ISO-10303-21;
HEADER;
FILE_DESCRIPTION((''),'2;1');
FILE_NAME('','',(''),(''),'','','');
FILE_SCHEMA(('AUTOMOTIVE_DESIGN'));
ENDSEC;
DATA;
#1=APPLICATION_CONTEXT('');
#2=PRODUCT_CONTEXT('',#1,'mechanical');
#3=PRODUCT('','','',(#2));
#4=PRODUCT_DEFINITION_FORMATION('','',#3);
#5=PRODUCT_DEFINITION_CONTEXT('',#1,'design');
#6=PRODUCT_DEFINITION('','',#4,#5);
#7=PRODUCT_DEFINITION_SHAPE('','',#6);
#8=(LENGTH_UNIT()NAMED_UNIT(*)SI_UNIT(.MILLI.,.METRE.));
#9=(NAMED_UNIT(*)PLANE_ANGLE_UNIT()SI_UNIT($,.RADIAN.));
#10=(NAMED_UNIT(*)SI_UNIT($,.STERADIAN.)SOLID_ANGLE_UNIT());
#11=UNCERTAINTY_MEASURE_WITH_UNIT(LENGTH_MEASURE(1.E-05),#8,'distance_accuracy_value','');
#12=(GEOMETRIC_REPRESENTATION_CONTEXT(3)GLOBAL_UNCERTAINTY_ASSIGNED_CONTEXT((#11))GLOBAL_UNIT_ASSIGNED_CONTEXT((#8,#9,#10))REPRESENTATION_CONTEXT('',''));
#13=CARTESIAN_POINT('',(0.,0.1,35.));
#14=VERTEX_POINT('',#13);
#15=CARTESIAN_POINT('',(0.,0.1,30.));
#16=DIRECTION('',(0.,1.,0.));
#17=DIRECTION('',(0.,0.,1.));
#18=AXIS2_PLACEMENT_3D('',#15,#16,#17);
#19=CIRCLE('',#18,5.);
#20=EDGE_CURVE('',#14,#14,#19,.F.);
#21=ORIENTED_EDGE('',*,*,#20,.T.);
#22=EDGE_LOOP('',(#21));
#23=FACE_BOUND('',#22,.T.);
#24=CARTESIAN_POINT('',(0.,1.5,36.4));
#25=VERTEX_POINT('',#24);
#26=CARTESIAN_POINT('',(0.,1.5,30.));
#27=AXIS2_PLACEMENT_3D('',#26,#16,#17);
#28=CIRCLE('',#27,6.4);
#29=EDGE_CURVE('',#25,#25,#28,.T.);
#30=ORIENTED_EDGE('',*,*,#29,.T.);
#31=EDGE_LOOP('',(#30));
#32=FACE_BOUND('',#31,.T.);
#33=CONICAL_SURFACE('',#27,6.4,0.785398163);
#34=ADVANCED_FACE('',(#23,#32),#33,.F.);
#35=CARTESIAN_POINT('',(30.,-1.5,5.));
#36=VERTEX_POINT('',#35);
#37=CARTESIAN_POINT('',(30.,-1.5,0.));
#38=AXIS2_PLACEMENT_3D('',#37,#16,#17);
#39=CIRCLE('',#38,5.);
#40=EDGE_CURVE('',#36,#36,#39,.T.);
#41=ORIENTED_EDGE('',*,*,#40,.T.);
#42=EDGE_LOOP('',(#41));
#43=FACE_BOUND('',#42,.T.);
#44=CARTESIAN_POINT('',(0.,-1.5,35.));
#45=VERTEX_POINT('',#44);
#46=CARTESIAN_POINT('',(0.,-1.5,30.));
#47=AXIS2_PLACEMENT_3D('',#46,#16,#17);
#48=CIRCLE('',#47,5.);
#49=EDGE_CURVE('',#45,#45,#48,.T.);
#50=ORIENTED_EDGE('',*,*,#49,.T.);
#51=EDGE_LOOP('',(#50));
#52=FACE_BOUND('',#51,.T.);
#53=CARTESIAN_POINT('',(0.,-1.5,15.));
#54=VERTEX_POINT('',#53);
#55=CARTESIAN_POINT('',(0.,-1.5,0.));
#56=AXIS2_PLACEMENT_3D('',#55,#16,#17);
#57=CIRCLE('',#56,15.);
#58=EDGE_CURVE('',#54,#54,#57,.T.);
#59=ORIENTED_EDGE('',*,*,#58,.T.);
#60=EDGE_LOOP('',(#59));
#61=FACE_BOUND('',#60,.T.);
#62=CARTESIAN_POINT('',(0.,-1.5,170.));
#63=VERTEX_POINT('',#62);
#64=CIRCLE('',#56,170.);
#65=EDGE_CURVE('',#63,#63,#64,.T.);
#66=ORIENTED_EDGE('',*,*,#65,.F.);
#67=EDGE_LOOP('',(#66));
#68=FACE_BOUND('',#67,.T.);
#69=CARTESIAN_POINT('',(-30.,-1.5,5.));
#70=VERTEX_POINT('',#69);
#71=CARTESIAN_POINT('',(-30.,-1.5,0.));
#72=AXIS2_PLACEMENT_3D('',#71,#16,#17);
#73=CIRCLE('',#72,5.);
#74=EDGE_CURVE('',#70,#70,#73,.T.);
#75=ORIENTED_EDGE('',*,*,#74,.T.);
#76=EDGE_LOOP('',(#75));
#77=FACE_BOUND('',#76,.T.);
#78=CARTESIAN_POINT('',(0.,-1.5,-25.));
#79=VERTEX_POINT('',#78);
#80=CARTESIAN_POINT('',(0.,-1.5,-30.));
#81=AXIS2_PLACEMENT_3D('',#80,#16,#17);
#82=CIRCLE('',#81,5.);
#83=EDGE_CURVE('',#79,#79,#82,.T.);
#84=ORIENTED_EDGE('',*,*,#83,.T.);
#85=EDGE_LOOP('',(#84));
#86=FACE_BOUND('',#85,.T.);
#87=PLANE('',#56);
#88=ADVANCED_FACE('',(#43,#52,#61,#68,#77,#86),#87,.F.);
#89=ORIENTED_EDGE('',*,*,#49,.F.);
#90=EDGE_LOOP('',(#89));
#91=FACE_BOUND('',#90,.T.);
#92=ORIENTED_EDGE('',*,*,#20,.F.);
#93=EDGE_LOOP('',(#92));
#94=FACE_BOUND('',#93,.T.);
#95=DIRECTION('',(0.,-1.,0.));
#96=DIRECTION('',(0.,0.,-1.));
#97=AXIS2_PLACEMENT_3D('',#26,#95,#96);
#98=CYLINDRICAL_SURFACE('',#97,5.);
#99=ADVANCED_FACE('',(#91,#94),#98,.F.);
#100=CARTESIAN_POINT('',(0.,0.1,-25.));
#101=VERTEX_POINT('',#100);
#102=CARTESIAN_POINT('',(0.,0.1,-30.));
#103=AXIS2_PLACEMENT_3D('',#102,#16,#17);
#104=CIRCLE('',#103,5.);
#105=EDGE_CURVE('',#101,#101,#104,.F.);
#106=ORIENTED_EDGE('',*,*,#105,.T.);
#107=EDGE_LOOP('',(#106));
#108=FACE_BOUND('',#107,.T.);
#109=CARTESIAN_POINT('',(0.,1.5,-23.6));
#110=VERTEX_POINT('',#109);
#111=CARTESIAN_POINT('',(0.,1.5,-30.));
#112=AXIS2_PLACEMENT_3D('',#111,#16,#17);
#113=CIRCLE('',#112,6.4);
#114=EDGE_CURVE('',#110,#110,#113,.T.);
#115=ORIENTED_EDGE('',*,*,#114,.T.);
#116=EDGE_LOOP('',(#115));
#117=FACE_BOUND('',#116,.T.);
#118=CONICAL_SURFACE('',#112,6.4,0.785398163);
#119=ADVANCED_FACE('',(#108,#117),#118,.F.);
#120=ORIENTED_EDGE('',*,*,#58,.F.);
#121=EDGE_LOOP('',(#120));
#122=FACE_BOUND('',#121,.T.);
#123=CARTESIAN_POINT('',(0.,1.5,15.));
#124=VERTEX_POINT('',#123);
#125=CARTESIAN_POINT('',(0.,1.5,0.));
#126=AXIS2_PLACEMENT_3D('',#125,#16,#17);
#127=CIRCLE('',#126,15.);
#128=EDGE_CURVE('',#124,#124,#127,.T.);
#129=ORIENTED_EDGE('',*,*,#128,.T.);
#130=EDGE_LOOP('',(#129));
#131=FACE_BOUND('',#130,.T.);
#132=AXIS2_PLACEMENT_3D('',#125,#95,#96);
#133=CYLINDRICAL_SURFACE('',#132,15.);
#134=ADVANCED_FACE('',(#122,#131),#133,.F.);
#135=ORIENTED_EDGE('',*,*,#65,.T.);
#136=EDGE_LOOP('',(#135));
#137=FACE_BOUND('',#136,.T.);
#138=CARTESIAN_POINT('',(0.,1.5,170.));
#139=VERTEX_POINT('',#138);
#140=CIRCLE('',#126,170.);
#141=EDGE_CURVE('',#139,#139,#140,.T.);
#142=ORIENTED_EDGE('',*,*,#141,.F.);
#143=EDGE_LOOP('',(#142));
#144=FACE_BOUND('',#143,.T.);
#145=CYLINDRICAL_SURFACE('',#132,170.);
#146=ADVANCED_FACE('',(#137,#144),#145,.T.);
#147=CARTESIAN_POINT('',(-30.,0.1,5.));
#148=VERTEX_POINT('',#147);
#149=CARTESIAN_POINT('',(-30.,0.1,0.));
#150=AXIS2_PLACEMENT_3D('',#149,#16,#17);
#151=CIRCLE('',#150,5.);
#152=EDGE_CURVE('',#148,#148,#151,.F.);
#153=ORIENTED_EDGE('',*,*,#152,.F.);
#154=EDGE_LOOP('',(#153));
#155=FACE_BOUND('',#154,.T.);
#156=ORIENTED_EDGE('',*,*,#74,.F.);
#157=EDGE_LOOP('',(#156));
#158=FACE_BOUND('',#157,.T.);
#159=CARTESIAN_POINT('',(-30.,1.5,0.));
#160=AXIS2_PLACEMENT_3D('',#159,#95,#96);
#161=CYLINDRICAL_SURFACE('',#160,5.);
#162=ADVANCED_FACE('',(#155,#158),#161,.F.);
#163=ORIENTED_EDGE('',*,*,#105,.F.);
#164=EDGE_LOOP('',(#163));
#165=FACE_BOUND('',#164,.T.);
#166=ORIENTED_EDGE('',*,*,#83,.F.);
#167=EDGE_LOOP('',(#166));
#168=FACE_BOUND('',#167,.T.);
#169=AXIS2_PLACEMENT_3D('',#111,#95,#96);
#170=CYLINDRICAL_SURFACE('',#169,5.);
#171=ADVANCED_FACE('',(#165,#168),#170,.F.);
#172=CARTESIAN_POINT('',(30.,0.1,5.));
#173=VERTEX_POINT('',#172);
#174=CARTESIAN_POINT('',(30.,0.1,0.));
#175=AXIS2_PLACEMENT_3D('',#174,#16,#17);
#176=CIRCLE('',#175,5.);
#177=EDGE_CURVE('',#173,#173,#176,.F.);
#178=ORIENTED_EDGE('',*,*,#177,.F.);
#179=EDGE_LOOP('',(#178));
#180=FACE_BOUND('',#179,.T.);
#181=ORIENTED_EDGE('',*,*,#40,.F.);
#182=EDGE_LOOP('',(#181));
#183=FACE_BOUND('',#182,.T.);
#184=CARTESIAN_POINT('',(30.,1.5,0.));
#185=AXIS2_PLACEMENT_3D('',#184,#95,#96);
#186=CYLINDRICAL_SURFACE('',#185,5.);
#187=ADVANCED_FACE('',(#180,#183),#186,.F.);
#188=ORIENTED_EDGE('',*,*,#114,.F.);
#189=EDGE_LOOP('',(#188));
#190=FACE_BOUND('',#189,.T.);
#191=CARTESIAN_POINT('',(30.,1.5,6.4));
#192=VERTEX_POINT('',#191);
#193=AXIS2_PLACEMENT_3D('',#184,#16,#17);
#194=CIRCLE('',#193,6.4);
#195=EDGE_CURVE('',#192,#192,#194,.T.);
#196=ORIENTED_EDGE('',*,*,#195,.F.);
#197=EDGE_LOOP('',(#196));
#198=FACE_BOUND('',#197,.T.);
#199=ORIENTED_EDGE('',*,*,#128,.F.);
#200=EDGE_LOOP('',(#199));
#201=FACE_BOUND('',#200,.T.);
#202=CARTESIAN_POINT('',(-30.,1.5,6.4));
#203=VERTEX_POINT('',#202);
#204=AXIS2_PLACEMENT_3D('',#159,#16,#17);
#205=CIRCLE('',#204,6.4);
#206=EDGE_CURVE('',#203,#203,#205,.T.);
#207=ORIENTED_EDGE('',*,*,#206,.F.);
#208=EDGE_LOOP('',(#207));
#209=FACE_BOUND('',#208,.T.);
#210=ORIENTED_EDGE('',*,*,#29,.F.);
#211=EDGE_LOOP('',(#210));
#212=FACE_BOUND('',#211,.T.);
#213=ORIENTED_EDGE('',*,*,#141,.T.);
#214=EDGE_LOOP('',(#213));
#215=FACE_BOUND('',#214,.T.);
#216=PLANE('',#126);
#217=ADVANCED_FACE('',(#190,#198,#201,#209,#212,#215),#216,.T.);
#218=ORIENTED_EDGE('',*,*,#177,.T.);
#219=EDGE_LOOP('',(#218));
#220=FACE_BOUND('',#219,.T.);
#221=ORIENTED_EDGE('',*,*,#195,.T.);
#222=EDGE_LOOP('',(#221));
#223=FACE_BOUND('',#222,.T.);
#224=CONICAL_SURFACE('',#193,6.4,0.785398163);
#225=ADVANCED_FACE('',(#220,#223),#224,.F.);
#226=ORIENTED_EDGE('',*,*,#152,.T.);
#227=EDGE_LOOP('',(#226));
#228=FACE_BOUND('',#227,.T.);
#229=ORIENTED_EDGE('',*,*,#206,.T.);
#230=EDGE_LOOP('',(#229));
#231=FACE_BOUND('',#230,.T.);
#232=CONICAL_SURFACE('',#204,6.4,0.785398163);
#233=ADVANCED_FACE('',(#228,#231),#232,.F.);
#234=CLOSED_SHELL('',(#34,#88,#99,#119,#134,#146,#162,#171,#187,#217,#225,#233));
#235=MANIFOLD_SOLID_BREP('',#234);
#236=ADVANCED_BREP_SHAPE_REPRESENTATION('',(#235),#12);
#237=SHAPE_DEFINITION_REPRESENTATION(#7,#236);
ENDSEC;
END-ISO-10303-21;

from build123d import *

# Parameters (mm, degrees)
SKETCH_1_R       = 170
SKETCH_1_R_2     = 15
SKETCH_1_R_3     = 5
EXTRUDE_1_DEPTH  = 1.5
MM_2_D           = 1
MM_2_DEPTH       = 12.4
MM_2_CSINK_D     = 12.8
MM_2_CSINK_ANGLE = 90
MM_2_TIP         = 0.30043031


with BuildPart() as part:
    # 草图1 → 凸台-拉伸1 (new, symmetric)
    with BuildSketch(Plane(origin=(0, 0, 0), x_dir=(1, 0, 0), z_dir=(0, 1, 0))):
        with Locations(Location((0, 0, 0), (0, 0, 270))):
            Circle(SKETCH_1_R)
        with Locations(Location((0, 0, 0), (0, 0, 270))):
            Circle(SKETCH_1_R_2, mode=Mode.SUBTRACT)
        with Locations(Location((-30, 0, 0), (0, 0, 270))):
            Circle(SKETCH_1_R_3, mode=Mode.SUBTRACT)
        with Locations(Location((0, 30, 0), (0, 0, 270))):
            Circle(SKETCH_1_R_3, mode=Mode.SUBTRACT)
        with Locations(Location((30, 0, 0), (0, 0, 270))):
            Circle(SKETCH_1_R_3, mode=Mode.SUBTRACT)
        with Locations(Location((0, -30, 0), (0, 0, 270))):
            Circle(SKETCH_1_R_3, mode=Mode.SUBTRACT)
    extrude(amount=EXTRUDE_1_DEPTH, both=True)

    # 大小mm 暗销孔2
    with Locations(Plane(origin=(0, 1.5, 0), x_dir=(1, 0, 0), z_dir=(0, 1, 0))):
        with Locations((-30, 0), (0, 30), (30, 0), (0, -30)):
            CounterSinkHole(MM_2_D / 2, MM_2_CSINK_D / 2, depth=MM_2_DEPTH, counter_sink_angle=MM_2_CSINK_ANGLE)
            with Locations((0, 0, -(MM_2_DEPTH + MM_2_TIP / 2))):  # 118° drill point
                Cone(0, MM_2_D / 2, MM_2_TIP, mode=Mode.SUBTRACT)


solid = part.part
